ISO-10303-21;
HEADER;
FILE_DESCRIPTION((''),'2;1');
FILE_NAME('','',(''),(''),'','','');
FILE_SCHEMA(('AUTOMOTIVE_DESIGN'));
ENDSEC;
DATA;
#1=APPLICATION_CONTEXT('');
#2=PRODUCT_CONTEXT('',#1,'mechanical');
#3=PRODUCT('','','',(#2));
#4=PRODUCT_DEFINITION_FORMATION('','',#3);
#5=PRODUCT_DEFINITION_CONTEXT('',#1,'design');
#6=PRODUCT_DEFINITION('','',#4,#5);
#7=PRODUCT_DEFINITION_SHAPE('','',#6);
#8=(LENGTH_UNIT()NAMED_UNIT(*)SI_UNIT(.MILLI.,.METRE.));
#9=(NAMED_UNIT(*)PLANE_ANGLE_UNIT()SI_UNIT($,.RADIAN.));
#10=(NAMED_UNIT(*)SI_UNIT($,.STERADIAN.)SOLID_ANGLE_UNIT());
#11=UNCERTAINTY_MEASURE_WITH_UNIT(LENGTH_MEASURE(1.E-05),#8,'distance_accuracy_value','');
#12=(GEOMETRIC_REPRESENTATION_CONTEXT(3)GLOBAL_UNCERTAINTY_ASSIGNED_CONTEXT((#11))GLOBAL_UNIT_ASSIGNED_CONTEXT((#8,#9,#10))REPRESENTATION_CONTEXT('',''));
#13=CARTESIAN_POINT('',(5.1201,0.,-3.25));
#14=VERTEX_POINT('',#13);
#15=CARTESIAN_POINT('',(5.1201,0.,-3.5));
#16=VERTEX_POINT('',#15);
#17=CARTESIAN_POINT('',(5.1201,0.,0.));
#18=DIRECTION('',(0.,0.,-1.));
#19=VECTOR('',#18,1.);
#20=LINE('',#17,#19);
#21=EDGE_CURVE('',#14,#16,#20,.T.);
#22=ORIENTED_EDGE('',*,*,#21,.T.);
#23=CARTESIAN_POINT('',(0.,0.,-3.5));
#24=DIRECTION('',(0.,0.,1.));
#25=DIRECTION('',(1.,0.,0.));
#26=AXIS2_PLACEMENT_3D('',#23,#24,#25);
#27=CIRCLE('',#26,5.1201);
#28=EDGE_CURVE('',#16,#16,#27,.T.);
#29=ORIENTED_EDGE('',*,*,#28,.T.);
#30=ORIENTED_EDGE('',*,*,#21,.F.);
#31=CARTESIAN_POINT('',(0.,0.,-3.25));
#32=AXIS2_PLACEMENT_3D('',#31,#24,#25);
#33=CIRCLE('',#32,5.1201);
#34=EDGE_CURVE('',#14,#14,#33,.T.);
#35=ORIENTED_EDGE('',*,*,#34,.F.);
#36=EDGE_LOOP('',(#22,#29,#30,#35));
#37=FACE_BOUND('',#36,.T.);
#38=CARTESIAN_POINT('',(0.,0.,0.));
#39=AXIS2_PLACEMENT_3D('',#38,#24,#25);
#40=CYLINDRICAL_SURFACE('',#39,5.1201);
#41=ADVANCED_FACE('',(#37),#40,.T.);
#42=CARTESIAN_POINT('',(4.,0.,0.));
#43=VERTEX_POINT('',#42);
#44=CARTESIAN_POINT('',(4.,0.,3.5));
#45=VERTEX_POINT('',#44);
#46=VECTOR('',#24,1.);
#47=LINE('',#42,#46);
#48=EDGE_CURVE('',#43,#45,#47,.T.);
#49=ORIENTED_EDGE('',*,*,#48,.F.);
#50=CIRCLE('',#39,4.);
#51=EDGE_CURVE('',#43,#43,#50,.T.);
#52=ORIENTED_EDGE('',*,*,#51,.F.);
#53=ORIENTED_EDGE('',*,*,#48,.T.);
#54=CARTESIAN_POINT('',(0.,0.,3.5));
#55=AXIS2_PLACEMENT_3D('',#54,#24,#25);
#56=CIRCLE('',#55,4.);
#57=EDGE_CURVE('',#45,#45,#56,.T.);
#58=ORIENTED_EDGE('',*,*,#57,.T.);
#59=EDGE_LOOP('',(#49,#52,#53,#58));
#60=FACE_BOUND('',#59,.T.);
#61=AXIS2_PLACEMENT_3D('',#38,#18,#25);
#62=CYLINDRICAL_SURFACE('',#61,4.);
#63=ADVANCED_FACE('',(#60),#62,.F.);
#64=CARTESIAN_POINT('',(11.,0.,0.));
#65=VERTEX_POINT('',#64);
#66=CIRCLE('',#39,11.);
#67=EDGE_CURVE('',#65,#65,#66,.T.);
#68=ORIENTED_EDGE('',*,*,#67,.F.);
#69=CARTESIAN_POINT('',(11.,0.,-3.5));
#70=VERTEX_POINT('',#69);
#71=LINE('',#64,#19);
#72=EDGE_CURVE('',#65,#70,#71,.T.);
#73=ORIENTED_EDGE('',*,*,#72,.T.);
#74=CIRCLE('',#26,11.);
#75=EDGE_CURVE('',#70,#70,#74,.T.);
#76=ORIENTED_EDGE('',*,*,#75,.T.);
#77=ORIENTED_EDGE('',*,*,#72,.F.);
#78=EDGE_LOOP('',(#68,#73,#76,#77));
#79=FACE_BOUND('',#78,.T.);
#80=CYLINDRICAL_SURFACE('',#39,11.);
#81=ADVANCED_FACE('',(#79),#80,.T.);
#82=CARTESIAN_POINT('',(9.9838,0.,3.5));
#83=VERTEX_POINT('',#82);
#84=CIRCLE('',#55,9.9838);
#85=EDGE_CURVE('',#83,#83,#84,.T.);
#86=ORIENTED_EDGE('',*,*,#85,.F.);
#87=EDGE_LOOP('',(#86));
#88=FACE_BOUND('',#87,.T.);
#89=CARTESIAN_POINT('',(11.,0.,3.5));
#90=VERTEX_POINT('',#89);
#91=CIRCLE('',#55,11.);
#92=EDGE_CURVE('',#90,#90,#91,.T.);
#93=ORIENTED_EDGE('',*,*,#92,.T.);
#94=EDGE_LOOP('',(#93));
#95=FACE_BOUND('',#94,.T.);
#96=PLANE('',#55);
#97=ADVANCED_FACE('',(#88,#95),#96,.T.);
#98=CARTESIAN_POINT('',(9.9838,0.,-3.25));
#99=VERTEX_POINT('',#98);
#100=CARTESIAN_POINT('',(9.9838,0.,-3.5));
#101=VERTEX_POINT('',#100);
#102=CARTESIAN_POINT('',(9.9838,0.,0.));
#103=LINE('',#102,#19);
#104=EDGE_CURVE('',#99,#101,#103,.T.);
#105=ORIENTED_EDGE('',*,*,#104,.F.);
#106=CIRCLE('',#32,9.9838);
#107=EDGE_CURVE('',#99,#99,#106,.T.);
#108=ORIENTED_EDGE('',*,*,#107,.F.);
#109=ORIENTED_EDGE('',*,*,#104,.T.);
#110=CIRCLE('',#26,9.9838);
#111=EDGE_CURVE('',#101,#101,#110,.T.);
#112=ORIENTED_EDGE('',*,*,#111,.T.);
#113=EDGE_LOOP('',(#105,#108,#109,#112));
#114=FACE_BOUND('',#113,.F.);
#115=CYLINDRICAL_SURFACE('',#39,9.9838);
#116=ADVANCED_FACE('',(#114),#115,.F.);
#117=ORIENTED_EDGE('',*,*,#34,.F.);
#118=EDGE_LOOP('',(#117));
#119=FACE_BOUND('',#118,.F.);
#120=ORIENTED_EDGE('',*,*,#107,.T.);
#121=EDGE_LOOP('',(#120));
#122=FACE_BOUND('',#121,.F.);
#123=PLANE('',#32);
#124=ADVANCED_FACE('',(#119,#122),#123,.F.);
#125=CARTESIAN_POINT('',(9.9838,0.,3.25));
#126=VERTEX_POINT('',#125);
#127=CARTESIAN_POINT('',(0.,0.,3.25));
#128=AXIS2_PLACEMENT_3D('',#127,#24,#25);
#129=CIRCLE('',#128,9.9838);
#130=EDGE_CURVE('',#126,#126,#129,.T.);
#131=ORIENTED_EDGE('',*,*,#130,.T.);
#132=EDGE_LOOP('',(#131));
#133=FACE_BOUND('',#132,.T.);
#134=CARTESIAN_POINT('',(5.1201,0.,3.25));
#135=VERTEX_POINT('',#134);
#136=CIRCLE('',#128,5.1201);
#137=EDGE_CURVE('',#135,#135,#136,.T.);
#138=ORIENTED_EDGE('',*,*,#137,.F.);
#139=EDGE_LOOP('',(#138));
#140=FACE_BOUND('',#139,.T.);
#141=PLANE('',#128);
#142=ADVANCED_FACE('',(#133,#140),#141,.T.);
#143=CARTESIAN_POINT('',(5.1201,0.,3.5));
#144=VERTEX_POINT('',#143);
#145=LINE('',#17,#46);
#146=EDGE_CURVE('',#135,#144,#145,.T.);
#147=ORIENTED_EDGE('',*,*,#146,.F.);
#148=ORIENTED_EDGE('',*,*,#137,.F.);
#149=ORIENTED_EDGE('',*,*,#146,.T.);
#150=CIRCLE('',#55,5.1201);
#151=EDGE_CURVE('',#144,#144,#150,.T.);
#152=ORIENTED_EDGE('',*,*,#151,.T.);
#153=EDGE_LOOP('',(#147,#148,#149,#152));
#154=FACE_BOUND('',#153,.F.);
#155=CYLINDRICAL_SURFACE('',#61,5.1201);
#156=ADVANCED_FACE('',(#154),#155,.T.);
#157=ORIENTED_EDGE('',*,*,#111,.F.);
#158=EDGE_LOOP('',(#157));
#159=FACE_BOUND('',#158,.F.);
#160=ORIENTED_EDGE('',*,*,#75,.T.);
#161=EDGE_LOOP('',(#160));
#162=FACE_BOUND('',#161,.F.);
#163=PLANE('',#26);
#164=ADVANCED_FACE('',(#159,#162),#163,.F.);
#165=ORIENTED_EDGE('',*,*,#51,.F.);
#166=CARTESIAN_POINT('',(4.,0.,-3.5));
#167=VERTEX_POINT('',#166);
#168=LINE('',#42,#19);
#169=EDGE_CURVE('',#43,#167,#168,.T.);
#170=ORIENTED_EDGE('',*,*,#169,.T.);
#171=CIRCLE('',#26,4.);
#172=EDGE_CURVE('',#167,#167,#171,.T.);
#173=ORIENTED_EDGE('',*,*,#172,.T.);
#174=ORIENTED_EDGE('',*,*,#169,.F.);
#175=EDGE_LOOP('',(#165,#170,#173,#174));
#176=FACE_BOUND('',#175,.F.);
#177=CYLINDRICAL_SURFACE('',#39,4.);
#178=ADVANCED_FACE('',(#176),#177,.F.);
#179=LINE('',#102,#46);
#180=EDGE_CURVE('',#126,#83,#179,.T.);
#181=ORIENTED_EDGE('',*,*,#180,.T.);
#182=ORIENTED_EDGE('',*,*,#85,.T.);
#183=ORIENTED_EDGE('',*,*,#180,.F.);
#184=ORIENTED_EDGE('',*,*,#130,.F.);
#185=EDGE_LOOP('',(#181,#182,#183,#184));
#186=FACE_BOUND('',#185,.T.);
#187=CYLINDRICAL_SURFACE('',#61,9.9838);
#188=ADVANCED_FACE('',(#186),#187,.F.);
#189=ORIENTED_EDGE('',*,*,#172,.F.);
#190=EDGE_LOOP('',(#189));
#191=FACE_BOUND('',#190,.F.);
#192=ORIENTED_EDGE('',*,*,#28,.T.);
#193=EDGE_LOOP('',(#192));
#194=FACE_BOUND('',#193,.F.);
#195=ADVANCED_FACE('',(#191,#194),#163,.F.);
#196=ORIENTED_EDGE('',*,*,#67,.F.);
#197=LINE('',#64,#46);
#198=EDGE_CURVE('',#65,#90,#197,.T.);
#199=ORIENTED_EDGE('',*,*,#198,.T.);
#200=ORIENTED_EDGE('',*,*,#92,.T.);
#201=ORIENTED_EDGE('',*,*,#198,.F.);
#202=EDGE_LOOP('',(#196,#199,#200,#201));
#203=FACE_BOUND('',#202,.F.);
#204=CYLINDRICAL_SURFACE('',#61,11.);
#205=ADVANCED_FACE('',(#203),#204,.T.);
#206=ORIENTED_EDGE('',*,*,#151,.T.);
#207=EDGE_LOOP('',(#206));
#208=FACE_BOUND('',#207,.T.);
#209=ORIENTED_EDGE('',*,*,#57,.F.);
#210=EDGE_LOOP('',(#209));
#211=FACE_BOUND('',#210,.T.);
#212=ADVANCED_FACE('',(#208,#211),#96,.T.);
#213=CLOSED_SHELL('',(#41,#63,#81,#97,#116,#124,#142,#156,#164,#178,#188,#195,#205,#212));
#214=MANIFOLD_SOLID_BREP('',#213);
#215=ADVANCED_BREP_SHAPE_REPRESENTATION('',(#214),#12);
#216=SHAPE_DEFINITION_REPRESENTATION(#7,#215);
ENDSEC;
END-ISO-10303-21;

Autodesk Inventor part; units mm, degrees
ref_plane "YZ Plane" through (0, 0, 0) normal (1, 0, 0) x (0, 1, 0)
ref_plane "XZ Plane" through (0, 0, 0) normal (0, 1, 0) x (-1, 0, 0)
ref_plane "XY Plane" through (0, 0, 0) normal (0, 0, 1) x (1, 0, 0)
sketch "Sketch1" plane through (0, 0, 0) normal (0, 0, 1) x (1, 0, 0)
  circle A0 centre (0, 0) radius 11
  circle A1 centre (0, 0) radius 4
  circle A2 centre (0, 0) radius 5.1201
  circle A3 centre (0, 0) radius 9.9838
  dimension "d0" = 22
  dimension "d1" = 8
extrude "Extrusion1" add sketch "Sketch1" along normal mid plane 7
extrude "Extrusion2" add sketch "Sketch1" along normal mid plane 6.5 contours A3
properties part number "8mmx22mm bearing"
